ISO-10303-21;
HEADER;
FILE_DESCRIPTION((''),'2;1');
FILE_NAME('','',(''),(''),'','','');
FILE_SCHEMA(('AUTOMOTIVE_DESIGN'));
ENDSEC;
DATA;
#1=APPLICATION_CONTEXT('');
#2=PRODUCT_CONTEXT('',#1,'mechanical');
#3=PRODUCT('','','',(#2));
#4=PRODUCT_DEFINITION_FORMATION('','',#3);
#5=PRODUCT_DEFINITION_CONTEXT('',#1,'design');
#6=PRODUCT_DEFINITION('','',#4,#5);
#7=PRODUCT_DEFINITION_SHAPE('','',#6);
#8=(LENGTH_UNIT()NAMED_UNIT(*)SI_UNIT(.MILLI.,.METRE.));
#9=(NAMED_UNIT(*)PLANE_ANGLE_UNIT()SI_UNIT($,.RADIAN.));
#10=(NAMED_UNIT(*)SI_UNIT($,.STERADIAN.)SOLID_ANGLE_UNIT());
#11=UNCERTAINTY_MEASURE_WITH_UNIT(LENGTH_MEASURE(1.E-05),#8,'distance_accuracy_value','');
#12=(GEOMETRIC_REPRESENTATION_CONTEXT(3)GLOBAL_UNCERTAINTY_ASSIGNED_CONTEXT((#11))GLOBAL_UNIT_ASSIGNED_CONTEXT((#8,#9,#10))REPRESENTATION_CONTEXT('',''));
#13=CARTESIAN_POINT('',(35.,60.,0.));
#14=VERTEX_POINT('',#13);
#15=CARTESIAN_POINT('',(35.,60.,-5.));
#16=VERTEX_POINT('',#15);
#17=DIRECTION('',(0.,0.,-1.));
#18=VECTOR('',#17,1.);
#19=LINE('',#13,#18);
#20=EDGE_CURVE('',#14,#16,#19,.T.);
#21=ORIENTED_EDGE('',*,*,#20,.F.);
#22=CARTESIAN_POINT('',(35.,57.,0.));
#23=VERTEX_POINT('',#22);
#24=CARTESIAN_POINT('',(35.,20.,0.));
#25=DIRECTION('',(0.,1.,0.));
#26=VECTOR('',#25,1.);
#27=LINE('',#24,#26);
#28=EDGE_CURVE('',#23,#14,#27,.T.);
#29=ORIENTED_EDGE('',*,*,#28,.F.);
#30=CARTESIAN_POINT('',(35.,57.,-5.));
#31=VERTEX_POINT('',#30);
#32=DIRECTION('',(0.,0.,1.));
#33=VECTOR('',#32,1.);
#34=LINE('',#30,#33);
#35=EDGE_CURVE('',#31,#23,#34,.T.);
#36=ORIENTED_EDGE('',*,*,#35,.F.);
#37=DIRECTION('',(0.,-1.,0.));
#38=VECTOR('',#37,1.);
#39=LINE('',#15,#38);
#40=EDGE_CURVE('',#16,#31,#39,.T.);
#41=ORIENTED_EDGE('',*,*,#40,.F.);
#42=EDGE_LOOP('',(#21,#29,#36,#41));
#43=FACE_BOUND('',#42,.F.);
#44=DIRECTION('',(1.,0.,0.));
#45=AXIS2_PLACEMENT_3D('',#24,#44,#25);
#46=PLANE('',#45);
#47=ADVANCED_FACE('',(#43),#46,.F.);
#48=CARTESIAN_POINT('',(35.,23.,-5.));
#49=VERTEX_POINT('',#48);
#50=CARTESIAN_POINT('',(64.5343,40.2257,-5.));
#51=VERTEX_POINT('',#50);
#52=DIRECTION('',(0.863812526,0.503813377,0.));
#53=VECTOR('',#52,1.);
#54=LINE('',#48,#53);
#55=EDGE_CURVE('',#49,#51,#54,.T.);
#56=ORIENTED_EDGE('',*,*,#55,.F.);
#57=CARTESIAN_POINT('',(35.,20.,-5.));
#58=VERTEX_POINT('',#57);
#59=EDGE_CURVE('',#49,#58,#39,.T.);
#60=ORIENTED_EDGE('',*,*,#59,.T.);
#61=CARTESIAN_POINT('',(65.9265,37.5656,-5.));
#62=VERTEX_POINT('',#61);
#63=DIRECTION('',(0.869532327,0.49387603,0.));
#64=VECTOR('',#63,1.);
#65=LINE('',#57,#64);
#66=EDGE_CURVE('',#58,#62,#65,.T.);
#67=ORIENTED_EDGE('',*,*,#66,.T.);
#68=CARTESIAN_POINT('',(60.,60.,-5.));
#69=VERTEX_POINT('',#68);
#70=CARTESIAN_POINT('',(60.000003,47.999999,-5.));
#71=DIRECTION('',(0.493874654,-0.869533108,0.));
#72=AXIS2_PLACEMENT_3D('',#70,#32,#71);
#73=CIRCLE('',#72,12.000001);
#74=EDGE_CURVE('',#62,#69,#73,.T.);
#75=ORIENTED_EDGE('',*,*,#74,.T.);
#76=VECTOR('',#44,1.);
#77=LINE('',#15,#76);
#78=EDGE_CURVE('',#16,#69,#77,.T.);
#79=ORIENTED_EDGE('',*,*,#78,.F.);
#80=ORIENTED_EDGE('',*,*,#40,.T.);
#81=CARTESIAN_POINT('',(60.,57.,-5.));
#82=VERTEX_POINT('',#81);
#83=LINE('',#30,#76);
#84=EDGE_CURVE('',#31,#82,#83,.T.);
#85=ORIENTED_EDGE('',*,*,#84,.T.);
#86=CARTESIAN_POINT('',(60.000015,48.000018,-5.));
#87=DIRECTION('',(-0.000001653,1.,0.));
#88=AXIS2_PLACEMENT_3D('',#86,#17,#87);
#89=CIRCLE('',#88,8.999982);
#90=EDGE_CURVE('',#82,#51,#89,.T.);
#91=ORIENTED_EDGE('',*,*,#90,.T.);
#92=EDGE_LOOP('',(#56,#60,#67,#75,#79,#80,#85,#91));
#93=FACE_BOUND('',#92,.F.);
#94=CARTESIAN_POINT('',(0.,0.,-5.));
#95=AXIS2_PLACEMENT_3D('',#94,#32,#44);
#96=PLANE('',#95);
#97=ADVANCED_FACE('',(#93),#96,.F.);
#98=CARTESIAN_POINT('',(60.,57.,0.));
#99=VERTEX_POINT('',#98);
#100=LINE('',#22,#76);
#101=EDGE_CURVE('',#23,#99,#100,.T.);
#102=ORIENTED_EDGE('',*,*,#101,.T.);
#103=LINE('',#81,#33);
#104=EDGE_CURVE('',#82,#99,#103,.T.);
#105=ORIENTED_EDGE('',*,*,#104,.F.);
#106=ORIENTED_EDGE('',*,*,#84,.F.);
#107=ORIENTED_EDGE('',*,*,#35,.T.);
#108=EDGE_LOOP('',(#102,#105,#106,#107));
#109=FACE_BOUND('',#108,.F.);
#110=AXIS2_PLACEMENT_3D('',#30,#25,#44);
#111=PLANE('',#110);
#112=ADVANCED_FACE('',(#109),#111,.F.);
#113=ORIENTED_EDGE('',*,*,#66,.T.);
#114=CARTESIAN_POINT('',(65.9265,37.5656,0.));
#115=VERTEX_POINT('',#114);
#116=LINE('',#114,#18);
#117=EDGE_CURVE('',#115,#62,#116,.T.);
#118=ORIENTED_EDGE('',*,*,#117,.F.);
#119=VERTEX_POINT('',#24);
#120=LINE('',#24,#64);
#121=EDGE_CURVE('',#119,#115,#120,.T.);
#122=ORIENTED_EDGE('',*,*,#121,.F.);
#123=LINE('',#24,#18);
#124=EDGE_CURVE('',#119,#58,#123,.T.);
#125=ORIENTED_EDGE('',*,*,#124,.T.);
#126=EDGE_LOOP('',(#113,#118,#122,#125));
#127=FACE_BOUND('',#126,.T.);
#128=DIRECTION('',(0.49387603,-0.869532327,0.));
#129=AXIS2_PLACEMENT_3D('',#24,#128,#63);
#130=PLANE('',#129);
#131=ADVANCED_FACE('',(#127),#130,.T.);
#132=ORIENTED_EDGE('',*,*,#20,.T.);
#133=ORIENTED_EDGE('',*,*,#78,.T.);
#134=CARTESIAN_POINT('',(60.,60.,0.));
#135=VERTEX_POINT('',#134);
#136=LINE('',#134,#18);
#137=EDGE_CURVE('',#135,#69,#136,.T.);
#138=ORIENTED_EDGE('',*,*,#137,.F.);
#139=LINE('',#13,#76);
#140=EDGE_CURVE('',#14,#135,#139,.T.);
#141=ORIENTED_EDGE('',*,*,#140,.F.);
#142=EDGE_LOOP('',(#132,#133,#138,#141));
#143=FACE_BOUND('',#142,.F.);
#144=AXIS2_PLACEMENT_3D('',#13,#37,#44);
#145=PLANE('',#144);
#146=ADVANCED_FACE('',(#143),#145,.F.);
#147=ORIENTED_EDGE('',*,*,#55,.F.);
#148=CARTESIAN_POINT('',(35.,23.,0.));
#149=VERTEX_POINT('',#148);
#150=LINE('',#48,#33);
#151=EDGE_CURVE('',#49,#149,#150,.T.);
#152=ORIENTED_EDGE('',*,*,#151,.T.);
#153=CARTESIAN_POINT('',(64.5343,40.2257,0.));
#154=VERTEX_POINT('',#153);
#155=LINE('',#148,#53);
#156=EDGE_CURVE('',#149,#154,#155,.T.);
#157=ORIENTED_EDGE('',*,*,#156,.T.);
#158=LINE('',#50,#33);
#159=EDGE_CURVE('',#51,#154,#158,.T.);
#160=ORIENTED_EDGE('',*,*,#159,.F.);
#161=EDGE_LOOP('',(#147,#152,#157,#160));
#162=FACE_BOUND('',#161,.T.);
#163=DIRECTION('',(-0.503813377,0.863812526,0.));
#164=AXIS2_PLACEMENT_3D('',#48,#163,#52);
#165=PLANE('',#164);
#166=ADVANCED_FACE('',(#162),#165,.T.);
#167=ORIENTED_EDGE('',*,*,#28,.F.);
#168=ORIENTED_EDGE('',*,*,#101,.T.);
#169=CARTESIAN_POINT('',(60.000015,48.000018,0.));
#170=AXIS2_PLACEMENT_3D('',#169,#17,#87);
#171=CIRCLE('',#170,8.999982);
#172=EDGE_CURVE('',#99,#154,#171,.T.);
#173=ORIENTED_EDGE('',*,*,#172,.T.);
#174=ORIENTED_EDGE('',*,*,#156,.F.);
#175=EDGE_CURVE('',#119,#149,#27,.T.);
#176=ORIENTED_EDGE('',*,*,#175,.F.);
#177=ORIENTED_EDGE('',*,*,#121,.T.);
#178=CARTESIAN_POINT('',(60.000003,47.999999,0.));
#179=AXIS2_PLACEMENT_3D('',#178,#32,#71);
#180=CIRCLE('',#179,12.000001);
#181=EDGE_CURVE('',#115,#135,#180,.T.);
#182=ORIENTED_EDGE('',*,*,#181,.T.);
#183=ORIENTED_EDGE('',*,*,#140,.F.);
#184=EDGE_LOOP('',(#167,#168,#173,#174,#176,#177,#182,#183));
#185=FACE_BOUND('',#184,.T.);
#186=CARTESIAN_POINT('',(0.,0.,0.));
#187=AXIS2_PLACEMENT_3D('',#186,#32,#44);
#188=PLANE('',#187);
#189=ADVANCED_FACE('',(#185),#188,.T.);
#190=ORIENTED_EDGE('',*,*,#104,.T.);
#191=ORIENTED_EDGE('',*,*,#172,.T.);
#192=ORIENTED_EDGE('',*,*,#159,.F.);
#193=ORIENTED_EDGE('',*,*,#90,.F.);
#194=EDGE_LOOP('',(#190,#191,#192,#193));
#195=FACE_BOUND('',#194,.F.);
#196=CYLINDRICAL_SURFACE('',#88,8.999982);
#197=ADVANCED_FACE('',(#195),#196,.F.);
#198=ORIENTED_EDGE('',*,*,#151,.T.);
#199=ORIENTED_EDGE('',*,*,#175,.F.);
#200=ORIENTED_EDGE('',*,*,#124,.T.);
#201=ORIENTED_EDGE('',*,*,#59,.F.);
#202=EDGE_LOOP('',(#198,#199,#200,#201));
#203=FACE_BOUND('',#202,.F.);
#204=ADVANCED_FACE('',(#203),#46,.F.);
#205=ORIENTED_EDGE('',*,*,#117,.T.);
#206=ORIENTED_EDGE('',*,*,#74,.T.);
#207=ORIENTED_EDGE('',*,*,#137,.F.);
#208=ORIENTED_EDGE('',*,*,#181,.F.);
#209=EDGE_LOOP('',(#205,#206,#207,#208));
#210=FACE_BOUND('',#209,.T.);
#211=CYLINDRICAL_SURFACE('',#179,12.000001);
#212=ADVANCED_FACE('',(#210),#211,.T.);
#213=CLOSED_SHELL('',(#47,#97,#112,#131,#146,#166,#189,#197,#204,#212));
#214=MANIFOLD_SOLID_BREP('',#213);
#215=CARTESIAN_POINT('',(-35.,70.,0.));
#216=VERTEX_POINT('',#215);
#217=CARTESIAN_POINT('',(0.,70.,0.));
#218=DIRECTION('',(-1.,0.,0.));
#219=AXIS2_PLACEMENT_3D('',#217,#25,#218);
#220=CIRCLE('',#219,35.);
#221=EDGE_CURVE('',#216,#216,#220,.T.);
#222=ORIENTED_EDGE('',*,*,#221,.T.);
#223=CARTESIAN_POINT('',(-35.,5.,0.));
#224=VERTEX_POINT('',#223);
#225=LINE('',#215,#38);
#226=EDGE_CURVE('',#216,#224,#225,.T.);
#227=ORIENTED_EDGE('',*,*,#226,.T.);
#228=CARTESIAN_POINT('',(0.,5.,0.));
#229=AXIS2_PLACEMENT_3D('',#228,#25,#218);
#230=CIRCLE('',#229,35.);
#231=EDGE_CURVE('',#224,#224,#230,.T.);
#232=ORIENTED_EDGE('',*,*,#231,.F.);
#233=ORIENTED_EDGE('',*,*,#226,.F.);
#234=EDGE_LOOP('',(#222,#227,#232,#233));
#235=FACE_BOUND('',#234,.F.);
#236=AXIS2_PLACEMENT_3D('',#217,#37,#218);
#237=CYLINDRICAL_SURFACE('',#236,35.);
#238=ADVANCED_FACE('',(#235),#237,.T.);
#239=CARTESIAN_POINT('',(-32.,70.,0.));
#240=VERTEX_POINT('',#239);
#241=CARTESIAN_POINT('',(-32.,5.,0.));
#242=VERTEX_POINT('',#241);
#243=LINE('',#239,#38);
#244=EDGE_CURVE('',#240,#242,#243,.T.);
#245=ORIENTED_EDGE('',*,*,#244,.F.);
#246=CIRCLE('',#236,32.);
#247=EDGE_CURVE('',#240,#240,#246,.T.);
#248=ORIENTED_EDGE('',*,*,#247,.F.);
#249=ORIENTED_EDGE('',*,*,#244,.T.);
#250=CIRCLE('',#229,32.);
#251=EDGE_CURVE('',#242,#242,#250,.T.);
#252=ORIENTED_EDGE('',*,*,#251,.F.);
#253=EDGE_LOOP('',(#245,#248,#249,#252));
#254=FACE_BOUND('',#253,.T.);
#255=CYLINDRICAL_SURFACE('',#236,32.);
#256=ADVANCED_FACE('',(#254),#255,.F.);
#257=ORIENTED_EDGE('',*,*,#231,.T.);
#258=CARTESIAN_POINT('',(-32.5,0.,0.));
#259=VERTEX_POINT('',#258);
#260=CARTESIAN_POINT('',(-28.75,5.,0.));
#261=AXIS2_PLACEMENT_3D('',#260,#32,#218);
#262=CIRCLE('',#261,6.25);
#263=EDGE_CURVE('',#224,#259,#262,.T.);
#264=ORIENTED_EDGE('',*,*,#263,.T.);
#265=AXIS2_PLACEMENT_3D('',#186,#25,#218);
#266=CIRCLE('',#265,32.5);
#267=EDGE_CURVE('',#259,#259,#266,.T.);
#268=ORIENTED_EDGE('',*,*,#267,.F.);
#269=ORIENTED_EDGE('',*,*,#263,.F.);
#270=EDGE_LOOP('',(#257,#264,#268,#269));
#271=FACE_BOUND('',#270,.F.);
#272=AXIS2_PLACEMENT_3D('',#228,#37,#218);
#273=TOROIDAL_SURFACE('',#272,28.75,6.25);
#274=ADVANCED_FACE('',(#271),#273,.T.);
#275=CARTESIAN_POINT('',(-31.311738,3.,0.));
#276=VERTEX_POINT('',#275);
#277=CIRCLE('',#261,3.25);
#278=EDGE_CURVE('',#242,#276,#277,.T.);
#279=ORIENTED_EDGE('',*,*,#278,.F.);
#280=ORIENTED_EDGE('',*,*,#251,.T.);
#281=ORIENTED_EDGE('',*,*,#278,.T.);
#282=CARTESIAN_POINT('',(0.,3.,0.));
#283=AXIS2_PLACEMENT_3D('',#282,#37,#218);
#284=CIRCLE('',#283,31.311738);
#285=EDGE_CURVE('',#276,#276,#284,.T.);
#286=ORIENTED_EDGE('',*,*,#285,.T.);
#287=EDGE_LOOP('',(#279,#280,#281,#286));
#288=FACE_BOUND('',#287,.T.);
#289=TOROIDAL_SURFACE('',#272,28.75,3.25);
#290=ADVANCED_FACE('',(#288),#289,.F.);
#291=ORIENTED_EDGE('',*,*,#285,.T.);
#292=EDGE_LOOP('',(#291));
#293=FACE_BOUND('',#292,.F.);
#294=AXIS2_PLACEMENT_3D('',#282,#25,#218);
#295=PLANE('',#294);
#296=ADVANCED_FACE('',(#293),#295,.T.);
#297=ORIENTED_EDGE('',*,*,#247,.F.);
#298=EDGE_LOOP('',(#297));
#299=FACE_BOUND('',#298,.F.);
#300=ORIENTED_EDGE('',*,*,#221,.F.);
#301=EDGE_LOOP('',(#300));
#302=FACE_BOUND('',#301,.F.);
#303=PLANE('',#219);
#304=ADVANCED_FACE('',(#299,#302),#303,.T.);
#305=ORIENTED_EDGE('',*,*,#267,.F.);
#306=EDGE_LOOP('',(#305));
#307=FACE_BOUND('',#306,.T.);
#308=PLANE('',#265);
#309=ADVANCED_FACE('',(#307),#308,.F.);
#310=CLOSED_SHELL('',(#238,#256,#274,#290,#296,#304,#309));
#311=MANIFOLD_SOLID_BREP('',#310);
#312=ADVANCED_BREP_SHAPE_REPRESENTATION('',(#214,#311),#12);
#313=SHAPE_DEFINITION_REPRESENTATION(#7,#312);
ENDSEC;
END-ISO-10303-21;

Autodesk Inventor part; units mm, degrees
ref_plane "XZ Plane" through (0, 0, 0) normal (0, 1, 0) x (-1, 0, 0)
sketch "Boceto1" plane through (0, 0, 0) normal (0, 0, 1) x (1, 0, 0)
  line L0 (0, 0) -> (0, 70)
  line L1 (0, 70) -> (-35, 70)
  line L2 (-35, 70) -> (-35, 5)
  line L3 (0, 0) -> (-32.5, 0)
  arc A0 (-35, 5) -> (-32.5, 0) centre (-28.75, 5) ccw
revolve "Revolución1" add sketch "Boceto1" angle 360 about axis through (0, 0, 0) along (0, 1, 0)
shell "Vaciado2" thickness 3 removed faces 1 at (-0.2748, 70, -9.3581)
sketch "Boceto2" plane through (0, 0, 0) normal (0, 0, 1) x (1, 0, 0)
  line L0 (35, 5) -> (35, 70) projected
  line L1 (35, 70) -> (35, 60)
  line L2 (35, 60) -> (60, 60)
  line L3 (35, 5) -> (35, 20)
  arc A0 (65.9265, 37.5656) -> (60, 60) centre (60, 48) ccw
  line L4 (35, 20) -> (65.9265, 37.5656)
  line L5 (35, 60) -> (35, 57)
  line L6 (35, 60) -> (35, 57)
  line L7 (35, 57) -> (60, 57)
  arc A1 (65.2003, 40.6545) -> (60, 57) centre (60, 48) ccw
  line L8 (35, 20) -> (35, 23)
  line L9 (35, 5) -> (35, 70) projected
  line L10 (35, 23) -> (65.2003, 40.6545)
  point P0 (0, 0)
  dimension "d11" = 10
  dimension "d12" = 25
  dimension "d13" = 15
  dimension "d20" = 12
  dimension "d23" = 3
  dimension "d24" = 3
  dimension "d26" = 3
ref_plane "Plano de trabajo7" through (60, 60, 0) normal (0, 0, 1) x (1, 0, 0)
ref_plane "Plano de trabajo8" through (35, 60, 0) normal (1, 0, 0) x (0, 1, 0)
extrude "Extrusión1" add sketch "Boceto2" against normal blind 5
sketch "Boceto5" plane through (0, 0, -5) normal (0, 0, -1) x (-1, 0, 0)
  point P0 (0, 0)
sketch "Boceto6" plane through (0, 0, -5) normal (0, 0, -1) x (-1, 0, 0)
  line L0 (-35, 20) -> (-35, 60) projected
  line L1 (-35, 20) -> (-35, 23)
  line L2 (-35, 60) -> (-60, 60) projected
  line L3 (-35, 60) -> (-35, 57)
  line L4 (-35, 57) -> (-60, 57)
  arc A0 (-60, 57) -> (-63.3814, 39.6594) centre (-60, 48) ccw
  arc A1 (-63.3814, 39.6594) -> (-64.5343, 40.2257) centre (-60, 48) ccw
  line L5 (-35, 23) -> (-64.5343, 40.2257)
  line L6 (-35, 57) -> (-35, 23)
  point P0 (0, 0)
  dimension "d27" = 3
  dimension "d28" = 3
  dimension "d29" = 25
  dimension "d30" = 9
extrude "Extrusión2" cut sketch "Boceto6" against normal blind 5
properties part number "Actividad 2 Lab Dinámica Alison Martínez"
